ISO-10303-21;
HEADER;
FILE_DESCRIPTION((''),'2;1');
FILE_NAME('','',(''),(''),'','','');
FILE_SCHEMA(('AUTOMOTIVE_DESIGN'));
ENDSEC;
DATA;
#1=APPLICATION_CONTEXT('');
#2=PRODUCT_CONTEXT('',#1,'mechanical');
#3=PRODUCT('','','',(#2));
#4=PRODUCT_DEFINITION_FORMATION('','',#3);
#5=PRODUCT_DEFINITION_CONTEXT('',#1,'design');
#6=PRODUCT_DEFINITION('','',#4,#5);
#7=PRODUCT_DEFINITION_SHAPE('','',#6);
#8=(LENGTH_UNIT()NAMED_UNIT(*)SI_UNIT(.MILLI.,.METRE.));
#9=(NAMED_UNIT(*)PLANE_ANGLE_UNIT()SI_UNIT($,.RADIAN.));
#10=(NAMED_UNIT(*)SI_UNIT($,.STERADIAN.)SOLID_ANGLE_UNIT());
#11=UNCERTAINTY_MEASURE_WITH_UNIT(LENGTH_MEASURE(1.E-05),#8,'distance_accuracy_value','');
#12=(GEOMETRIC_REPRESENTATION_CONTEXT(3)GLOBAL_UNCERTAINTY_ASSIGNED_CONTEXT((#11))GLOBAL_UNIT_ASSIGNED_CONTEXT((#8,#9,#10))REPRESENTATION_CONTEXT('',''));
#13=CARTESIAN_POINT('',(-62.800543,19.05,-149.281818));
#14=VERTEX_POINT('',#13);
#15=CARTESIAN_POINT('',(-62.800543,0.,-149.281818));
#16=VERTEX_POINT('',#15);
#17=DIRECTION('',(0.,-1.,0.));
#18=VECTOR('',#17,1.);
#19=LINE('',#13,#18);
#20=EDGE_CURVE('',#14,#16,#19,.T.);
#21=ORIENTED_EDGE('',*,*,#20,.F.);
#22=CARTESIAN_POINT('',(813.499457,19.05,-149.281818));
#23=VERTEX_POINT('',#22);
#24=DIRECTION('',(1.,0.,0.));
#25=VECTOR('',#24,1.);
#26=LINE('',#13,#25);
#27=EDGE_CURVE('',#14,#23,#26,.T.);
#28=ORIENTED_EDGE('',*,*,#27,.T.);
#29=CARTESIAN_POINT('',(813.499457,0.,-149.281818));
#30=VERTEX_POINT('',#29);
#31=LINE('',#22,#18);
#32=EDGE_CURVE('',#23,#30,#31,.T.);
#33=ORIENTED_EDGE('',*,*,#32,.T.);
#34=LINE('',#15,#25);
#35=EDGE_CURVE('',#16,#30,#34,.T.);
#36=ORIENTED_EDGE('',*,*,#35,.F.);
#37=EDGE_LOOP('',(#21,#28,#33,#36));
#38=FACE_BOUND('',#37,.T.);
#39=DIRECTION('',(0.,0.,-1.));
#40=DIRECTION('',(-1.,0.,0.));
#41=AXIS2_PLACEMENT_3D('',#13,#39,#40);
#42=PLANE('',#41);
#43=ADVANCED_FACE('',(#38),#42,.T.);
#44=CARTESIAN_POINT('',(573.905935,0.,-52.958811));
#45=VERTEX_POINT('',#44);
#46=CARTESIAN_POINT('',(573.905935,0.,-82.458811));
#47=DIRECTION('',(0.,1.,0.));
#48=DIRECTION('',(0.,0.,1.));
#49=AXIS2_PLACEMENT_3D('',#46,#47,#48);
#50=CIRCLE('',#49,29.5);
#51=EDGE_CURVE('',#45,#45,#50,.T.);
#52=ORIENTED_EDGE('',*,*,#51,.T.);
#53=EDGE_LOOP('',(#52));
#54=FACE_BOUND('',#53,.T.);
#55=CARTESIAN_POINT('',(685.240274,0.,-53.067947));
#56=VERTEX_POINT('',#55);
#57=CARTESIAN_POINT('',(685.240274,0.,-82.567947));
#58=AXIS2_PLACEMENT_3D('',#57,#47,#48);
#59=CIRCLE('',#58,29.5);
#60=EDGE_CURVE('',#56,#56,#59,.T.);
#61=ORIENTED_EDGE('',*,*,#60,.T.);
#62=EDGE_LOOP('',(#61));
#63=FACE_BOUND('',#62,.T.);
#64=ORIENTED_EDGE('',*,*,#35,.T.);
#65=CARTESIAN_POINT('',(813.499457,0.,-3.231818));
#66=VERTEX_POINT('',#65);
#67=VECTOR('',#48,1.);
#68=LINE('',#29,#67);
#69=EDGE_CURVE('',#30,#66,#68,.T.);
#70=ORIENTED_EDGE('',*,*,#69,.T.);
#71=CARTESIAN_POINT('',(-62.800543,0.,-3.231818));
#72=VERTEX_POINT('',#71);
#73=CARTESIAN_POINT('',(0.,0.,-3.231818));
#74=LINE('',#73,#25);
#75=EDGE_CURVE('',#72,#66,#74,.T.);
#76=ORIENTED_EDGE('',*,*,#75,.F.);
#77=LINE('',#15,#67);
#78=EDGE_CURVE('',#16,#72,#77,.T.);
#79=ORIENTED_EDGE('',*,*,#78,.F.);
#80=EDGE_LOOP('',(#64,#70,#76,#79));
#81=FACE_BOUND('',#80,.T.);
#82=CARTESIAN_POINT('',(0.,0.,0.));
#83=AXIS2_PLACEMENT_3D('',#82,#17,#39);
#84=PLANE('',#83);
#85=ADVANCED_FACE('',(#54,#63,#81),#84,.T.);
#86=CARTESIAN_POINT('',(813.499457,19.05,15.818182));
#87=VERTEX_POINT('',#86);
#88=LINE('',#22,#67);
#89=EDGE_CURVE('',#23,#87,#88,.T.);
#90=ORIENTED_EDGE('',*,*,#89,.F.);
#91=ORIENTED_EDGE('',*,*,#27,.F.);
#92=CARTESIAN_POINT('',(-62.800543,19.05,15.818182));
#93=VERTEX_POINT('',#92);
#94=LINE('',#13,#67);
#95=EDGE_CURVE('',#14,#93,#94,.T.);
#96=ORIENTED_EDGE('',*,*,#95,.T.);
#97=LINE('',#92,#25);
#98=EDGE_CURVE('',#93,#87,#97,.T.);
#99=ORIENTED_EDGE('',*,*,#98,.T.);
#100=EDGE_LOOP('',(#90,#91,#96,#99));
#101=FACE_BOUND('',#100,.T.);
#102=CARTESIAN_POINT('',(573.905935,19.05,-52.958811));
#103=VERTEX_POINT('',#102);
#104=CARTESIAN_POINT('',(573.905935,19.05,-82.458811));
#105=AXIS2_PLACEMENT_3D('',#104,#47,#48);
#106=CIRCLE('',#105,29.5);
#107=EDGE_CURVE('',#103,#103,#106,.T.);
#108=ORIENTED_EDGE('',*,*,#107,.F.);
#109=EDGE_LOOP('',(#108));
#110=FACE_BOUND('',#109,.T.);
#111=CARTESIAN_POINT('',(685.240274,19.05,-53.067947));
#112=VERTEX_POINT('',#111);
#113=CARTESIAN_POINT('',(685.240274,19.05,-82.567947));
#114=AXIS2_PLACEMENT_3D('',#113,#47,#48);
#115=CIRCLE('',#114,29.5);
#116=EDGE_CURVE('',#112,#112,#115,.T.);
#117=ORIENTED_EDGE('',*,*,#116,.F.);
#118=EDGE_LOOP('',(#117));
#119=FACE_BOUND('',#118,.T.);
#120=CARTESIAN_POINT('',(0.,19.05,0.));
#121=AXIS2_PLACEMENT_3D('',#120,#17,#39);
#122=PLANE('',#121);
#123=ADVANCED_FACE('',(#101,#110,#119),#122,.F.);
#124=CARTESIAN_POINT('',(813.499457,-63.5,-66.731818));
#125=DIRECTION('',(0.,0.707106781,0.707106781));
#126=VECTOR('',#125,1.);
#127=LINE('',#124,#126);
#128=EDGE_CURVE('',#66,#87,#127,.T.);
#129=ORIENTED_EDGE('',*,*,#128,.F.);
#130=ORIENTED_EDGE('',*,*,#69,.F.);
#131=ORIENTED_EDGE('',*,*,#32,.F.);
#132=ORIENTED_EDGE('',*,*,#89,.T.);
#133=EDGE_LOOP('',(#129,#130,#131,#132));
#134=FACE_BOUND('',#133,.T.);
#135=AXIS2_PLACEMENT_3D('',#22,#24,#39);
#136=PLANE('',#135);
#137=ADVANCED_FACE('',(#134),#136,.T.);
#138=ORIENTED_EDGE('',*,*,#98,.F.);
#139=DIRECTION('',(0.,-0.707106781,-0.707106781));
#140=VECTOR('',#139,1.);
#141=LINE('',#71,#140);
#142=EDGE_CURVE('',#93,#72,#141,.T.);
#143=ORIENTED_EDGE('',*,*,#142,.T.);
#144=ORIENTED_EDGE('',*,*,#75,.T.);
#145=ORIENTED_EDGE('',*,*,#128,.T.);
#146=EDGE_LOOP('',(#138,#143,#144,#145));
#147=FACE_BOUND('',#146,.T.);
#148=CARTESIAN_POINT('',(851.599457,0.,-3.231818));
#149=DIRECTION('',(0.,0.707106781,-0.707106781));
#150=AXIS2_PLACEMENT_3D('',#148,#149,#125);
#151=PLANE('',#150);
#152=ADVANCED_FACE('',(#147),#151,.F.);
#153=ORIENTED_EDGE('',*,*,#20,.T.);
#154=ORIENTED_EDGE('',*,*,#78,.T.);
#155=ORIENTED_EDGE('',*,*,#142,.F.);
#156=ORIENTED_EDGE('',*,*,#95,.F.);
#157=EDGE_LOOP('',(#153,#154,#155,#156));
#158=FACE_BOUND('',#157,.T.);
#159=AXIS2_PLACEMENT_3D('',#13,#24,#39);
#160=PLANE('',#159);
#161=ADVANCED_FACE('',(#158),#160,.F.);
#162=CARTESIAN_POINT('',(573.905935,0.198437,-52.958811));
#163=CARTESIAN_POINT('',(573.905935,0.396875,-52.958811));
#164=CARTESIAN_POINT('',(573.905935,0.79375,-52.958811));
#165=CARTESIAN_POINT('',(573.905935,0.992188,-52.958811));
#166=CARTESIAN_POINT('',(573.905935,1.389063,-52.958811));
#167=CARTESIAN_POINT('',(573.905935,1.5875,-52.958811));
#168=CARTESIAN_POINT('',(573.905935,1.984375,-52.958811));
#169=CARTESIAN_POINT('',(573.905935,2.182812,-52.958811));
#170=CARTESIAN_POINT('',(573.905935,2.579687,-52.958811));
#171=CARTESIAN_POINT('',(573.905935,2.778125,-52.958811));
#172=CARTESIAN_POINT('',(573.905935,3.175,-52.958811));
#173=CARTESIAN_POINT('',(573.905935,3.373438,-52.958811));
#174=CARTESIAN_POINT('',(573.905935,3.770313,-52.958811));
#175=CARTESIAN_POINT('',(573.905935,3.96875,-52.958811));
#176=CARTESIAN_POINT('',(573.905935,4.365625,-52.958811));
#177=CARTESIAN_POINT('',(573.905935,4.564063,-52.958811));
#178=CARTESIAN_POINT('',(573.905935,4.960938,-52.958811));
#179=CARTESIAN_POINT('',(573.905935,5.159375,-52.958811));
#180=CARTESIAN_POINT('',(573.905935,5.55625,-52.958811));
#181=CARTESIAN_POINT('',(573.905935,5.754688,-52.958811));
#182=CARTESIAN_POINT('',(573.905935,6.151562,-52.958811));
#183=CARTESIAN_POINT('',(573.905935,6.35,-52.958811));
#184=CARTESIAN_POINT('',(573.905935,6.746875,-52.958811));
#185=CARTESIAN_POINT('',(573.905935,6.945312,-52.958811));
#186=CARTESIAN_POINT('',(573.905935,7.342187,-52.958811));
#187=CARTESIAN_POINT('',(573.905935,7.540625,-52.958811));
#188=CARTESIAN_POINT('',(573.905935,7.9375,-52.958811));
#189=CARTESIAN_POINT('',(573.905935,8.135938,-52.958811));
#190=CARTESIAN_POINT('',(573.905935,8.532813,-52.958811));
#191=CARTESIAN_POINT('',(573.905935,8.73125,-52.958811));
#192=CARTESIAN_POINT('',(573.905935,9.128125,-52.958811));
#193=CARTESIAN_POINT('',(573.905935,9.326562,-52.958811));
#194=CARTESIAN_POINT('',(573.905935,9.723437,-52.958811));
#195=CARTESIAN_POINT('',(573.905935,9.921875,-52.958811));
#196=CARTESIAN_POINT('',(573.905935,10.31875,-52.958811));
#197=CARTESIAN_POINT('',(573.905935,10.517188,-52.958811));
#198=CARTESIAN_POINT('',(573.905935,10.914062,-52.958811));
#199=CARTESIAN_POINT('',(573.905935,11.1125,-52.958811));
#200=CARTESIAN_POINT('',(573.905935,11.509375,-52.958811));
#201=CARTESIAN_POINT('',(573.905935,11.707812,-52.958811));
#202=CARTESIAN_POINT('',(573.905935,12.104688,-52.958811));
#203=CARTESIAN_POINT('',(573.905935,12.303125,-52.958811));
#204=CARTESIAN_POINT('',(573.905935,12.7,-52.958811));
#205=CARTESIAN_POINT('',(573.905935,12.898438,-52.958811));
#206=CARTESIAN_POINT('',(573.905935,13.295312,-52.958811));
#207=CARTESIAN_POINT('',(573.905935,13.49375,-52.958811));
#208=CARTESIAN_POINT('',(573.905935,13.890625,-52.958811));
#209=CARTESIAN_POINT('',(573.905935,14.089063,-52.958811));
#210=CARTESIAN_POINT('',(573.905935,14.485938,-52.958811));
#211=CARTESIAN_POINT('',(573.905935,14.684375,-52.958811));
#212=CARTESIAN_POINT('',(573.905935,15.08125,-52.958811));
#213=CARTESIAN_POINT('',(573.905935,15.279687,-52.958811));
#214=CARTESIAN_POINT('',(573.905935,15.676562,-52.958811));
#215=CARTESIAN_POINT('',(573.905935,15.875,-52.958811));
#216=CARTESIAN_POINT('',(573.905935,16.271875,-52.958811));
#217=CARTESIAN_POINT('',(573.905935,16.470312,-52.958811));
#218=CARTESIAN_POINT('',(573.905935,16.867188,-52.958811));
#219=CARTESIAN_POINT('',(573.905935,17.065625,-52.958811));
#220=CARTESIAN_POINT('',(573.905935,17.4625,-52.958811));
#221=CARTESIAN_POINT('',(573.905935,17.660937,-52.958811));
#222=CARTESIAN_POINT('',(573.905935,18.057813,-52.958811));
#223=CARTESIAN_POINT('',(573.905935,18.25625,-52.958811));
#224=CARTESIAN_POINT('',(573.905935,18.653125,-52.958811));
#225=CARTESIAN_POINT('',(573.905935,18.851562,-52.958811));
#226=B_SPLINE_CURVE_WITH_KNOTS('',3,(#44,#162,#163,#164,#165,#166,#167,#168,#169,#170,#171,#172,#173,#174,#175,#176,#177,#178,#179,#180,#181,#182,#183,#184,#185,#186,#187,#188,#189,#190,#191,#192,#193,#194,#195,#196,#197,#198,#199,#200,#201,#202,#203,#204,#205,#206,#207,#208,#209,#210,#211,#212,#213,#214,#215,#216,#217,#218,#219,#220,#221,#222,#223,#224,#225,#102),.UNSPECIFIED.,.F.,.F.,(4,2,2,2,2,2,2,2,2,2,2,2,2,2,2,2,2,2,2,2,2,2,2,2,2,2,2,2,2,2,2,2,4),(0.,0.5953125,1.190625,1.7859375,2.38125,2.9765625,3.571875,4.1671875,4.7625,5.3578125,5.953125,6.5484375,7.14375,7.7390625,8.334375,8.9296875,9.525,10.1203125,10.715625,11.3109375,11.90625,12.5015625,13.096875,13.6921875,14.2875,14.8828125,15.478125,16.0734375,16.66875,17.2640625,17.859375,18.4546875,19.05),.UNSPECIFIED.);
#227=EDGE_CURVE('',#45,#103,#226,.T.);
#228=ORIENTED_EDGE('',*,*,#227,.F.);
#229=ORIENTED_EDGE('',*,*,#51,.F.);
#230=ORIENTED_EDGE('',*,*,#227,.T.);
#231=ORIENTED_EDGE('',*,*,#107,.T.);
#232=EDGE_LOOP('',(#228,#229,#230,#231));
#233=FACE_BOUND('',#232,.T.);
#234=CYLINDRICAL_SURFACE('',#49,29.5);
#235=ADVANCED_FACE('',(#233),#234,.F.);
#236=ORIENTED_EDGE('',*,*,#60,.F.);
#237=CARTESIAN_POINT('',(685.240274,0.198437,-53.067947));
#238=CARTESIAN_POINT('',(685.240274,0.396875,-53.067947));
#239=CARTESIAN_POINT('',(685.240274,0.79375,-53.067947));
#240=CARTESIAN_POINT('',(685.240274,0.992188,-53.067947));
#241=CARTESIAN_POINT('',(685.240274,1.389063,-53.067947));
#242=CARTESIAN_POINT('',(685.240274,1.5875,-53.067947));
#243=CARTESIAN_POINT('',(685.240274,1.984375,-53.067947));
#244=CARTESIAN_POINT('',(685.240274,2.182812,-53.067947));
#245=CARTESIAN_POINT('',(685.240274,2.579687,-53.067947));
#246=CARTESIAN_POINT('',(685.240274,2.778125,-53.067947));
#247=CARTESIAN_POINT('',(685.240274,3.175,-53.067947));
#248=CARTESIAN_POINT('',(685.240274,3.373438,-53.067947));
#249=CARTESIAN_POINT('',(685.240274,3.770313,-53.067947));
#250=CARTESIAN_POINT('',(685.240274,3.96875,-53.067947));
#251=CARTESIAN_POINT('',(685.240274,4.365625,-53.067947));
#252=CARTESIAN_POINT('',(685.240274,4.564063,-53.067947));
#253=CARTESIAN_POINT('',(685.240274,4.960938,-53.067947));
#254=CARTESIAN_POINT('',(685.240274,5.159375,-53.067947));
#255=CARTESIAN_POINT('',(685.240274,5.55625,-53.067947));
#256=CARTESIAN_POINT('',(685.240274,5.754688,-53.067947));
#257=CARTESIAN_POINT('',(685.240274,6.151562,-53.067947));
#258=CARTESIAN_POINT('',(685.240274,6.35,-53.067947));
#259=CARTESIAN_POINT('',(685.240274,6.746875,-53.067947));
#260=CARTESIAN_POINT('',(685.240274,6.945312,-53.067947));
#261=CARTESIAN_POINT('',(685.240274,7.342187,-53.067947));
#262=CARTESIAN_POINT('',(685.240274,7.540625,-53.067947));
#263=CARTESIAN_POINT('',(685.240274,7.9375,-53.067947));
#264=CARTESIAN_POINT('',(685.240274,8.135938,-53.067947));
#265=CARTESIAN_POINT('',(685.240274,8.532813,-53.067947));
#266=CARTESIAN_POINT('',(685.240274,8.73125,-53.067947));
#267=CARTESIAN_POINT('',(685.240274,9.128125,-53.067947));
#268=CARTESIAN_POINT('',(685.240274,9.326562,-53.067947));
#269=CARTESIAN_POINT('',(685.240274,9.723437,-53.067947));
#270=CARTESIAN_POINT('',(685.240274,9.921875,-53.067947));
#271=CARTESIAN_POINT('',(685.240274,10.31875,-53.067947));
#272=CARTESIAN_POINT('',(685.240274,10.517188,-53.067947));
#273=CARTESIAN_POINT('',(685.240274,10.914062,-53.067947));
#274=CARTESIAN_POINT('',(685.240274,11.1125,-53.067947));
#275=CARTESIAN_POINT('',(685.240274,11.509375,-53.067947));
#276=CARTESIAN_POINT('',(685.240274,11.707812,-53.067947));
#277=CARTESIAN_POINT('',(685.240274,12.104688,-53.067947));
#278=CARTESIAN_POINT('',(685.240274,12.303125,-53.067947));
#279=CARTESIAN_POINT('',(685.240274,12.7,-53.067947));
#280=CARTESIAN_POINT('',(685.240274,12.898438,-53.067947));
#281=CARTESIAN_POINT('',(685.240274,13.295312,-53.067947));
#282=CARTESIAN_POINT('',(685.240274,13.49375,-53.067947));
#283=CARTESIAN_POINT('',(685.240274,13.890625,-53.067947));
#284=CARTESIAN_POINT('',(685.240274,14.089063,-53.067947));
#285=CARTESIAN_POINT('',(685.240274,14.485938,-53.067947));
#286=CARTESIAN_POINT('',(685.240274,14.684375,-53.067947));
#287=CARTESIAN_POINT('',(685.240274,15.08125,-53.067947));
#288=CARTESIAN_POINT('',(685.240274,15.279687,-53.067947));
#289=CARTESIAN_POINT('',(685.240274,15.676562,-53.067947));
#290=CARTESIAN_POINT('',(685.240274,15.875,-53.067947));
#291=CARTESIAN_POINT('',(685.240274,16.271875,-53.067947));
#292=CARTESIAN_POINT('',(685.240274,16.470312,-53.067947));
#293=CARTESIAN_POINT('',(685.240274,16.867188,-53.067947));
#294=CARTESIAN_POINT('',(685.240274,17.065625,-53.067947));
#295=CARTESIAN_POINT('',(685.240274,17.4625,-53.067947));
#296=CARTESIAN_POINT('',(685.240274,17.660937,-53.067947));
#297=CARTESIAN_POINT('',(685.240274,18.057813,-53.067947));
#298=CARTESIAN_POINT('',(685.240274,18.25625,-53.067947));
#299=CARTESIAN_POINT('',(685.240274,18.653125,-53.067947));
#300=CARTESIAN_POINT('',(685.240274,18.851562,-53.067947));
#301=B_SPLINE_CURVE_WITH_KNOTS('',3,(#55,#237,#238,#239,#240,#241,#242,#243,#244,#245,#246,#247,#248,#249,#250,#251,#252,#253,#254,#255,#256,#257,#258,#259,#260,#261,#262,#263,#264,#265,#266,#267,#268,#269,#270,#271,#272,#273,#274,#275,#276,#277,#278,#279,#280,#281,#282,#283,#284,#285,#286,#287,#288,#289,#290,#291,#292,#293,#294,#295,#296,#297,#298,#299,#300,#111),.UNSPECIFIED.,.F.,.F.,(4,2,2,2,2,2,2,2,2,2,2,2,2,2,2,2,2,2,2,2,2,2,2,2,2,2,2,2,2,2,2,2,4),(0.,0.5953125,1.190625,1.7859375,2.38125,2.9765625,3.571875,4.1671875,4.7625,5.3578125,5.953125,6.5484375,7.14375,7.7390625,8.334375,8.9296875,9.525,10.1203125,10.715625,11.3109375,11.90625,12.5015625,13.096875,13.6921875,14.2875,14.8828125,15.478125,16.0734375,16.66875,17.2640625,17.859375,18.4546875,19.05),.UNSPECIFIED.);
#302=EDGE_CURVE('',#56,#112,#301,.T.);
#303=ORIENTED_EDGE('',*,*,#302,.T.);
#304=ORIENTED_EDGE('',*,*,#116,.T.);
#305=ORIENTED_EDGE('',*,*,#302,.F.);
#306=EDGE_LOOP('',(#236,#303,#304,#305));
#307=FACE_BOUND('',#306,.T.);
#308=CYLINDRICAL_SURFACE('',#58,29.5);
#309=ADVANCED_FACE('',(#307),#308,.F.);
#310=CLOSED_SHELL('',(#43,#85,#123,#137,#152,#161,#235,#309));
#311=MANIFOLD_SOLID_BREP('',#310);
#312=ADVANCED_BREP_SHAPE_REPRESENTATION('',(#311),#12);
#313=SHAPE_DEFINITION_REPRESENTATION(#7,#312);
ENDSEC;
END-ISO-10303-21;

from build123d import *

# Parameters (mm, degrees)
SKETCH1_W           = 876.3
SKETCH1_H           = 165.1
BOSS_EXTRUDE1_DEPTH = 19.05
SKETCH3_R           = 29.499999928
CUT_EXTRUDE1_DEPTH  = 19.05
SKETCH2_R           = 29.499999928
CUT_EXTRUDE2_DEPTH  = 19.05
CUT_EXTRUDE3_DEPTH  = 914.4


with BuildPart() as part:
    # Sketch1 → Boss-Extrude1 (new body)
    with BuildSketch(Plane(origin=(0, 0, 0), x_dir=(1, 0, 0), z_dir=(0, 1, 0))):
        with Locations((375.34945696, 66.731818106)):
            Rectangle(SKETCH1_W, SKETCH1_H)
    extrude(amount=BOSS_EXTRUDE1_DEPTH)

    # Sketch3 → Cut-Extrude1 (cut)
    with BuildSketch(Plane(origin=(0, 19.05, 0), x_dir=(1, 0, 0), z_dir=(0, 1, 0))):
        with Locations(Location((573.905935058, 82.4588113, 0), (0, 0, 270))):
            Circle(SKETCH3_R)
    extrude(amount=-CUT_EXTRUDE1_DEPTH, mode=Mode.SUBTRACT)

    # Sketch2 → Cut-Extrude2 (cut)
    with BuildSketch(Plane(origin=(0, 19.05, 0), x_dir=(1, 0, 0), z_dir=(0, 1, 0))):
        with Locations(Location((685.24027425, 82.567946762, 0), (0, 0, 270))):
            Circle(SKETCH2_R)
    extrude(amount=-CUT_EXTRUDE2_DEPTH, mode=Mode.SUBTRACT)

    # Sketch4 → Cut-Extrude3 (cut)
    with BuildSketch(Plane.ZY.offset(62.80054304)):
        Polygon((-3.231818106, 0), (15.818181894, 19.05), (15.818181894, 0), align=None)
    extrude(amount=-CUT_EXTRUDE3_DEPTH, mode=Mode.SUBTRACT)


solid = part.part
